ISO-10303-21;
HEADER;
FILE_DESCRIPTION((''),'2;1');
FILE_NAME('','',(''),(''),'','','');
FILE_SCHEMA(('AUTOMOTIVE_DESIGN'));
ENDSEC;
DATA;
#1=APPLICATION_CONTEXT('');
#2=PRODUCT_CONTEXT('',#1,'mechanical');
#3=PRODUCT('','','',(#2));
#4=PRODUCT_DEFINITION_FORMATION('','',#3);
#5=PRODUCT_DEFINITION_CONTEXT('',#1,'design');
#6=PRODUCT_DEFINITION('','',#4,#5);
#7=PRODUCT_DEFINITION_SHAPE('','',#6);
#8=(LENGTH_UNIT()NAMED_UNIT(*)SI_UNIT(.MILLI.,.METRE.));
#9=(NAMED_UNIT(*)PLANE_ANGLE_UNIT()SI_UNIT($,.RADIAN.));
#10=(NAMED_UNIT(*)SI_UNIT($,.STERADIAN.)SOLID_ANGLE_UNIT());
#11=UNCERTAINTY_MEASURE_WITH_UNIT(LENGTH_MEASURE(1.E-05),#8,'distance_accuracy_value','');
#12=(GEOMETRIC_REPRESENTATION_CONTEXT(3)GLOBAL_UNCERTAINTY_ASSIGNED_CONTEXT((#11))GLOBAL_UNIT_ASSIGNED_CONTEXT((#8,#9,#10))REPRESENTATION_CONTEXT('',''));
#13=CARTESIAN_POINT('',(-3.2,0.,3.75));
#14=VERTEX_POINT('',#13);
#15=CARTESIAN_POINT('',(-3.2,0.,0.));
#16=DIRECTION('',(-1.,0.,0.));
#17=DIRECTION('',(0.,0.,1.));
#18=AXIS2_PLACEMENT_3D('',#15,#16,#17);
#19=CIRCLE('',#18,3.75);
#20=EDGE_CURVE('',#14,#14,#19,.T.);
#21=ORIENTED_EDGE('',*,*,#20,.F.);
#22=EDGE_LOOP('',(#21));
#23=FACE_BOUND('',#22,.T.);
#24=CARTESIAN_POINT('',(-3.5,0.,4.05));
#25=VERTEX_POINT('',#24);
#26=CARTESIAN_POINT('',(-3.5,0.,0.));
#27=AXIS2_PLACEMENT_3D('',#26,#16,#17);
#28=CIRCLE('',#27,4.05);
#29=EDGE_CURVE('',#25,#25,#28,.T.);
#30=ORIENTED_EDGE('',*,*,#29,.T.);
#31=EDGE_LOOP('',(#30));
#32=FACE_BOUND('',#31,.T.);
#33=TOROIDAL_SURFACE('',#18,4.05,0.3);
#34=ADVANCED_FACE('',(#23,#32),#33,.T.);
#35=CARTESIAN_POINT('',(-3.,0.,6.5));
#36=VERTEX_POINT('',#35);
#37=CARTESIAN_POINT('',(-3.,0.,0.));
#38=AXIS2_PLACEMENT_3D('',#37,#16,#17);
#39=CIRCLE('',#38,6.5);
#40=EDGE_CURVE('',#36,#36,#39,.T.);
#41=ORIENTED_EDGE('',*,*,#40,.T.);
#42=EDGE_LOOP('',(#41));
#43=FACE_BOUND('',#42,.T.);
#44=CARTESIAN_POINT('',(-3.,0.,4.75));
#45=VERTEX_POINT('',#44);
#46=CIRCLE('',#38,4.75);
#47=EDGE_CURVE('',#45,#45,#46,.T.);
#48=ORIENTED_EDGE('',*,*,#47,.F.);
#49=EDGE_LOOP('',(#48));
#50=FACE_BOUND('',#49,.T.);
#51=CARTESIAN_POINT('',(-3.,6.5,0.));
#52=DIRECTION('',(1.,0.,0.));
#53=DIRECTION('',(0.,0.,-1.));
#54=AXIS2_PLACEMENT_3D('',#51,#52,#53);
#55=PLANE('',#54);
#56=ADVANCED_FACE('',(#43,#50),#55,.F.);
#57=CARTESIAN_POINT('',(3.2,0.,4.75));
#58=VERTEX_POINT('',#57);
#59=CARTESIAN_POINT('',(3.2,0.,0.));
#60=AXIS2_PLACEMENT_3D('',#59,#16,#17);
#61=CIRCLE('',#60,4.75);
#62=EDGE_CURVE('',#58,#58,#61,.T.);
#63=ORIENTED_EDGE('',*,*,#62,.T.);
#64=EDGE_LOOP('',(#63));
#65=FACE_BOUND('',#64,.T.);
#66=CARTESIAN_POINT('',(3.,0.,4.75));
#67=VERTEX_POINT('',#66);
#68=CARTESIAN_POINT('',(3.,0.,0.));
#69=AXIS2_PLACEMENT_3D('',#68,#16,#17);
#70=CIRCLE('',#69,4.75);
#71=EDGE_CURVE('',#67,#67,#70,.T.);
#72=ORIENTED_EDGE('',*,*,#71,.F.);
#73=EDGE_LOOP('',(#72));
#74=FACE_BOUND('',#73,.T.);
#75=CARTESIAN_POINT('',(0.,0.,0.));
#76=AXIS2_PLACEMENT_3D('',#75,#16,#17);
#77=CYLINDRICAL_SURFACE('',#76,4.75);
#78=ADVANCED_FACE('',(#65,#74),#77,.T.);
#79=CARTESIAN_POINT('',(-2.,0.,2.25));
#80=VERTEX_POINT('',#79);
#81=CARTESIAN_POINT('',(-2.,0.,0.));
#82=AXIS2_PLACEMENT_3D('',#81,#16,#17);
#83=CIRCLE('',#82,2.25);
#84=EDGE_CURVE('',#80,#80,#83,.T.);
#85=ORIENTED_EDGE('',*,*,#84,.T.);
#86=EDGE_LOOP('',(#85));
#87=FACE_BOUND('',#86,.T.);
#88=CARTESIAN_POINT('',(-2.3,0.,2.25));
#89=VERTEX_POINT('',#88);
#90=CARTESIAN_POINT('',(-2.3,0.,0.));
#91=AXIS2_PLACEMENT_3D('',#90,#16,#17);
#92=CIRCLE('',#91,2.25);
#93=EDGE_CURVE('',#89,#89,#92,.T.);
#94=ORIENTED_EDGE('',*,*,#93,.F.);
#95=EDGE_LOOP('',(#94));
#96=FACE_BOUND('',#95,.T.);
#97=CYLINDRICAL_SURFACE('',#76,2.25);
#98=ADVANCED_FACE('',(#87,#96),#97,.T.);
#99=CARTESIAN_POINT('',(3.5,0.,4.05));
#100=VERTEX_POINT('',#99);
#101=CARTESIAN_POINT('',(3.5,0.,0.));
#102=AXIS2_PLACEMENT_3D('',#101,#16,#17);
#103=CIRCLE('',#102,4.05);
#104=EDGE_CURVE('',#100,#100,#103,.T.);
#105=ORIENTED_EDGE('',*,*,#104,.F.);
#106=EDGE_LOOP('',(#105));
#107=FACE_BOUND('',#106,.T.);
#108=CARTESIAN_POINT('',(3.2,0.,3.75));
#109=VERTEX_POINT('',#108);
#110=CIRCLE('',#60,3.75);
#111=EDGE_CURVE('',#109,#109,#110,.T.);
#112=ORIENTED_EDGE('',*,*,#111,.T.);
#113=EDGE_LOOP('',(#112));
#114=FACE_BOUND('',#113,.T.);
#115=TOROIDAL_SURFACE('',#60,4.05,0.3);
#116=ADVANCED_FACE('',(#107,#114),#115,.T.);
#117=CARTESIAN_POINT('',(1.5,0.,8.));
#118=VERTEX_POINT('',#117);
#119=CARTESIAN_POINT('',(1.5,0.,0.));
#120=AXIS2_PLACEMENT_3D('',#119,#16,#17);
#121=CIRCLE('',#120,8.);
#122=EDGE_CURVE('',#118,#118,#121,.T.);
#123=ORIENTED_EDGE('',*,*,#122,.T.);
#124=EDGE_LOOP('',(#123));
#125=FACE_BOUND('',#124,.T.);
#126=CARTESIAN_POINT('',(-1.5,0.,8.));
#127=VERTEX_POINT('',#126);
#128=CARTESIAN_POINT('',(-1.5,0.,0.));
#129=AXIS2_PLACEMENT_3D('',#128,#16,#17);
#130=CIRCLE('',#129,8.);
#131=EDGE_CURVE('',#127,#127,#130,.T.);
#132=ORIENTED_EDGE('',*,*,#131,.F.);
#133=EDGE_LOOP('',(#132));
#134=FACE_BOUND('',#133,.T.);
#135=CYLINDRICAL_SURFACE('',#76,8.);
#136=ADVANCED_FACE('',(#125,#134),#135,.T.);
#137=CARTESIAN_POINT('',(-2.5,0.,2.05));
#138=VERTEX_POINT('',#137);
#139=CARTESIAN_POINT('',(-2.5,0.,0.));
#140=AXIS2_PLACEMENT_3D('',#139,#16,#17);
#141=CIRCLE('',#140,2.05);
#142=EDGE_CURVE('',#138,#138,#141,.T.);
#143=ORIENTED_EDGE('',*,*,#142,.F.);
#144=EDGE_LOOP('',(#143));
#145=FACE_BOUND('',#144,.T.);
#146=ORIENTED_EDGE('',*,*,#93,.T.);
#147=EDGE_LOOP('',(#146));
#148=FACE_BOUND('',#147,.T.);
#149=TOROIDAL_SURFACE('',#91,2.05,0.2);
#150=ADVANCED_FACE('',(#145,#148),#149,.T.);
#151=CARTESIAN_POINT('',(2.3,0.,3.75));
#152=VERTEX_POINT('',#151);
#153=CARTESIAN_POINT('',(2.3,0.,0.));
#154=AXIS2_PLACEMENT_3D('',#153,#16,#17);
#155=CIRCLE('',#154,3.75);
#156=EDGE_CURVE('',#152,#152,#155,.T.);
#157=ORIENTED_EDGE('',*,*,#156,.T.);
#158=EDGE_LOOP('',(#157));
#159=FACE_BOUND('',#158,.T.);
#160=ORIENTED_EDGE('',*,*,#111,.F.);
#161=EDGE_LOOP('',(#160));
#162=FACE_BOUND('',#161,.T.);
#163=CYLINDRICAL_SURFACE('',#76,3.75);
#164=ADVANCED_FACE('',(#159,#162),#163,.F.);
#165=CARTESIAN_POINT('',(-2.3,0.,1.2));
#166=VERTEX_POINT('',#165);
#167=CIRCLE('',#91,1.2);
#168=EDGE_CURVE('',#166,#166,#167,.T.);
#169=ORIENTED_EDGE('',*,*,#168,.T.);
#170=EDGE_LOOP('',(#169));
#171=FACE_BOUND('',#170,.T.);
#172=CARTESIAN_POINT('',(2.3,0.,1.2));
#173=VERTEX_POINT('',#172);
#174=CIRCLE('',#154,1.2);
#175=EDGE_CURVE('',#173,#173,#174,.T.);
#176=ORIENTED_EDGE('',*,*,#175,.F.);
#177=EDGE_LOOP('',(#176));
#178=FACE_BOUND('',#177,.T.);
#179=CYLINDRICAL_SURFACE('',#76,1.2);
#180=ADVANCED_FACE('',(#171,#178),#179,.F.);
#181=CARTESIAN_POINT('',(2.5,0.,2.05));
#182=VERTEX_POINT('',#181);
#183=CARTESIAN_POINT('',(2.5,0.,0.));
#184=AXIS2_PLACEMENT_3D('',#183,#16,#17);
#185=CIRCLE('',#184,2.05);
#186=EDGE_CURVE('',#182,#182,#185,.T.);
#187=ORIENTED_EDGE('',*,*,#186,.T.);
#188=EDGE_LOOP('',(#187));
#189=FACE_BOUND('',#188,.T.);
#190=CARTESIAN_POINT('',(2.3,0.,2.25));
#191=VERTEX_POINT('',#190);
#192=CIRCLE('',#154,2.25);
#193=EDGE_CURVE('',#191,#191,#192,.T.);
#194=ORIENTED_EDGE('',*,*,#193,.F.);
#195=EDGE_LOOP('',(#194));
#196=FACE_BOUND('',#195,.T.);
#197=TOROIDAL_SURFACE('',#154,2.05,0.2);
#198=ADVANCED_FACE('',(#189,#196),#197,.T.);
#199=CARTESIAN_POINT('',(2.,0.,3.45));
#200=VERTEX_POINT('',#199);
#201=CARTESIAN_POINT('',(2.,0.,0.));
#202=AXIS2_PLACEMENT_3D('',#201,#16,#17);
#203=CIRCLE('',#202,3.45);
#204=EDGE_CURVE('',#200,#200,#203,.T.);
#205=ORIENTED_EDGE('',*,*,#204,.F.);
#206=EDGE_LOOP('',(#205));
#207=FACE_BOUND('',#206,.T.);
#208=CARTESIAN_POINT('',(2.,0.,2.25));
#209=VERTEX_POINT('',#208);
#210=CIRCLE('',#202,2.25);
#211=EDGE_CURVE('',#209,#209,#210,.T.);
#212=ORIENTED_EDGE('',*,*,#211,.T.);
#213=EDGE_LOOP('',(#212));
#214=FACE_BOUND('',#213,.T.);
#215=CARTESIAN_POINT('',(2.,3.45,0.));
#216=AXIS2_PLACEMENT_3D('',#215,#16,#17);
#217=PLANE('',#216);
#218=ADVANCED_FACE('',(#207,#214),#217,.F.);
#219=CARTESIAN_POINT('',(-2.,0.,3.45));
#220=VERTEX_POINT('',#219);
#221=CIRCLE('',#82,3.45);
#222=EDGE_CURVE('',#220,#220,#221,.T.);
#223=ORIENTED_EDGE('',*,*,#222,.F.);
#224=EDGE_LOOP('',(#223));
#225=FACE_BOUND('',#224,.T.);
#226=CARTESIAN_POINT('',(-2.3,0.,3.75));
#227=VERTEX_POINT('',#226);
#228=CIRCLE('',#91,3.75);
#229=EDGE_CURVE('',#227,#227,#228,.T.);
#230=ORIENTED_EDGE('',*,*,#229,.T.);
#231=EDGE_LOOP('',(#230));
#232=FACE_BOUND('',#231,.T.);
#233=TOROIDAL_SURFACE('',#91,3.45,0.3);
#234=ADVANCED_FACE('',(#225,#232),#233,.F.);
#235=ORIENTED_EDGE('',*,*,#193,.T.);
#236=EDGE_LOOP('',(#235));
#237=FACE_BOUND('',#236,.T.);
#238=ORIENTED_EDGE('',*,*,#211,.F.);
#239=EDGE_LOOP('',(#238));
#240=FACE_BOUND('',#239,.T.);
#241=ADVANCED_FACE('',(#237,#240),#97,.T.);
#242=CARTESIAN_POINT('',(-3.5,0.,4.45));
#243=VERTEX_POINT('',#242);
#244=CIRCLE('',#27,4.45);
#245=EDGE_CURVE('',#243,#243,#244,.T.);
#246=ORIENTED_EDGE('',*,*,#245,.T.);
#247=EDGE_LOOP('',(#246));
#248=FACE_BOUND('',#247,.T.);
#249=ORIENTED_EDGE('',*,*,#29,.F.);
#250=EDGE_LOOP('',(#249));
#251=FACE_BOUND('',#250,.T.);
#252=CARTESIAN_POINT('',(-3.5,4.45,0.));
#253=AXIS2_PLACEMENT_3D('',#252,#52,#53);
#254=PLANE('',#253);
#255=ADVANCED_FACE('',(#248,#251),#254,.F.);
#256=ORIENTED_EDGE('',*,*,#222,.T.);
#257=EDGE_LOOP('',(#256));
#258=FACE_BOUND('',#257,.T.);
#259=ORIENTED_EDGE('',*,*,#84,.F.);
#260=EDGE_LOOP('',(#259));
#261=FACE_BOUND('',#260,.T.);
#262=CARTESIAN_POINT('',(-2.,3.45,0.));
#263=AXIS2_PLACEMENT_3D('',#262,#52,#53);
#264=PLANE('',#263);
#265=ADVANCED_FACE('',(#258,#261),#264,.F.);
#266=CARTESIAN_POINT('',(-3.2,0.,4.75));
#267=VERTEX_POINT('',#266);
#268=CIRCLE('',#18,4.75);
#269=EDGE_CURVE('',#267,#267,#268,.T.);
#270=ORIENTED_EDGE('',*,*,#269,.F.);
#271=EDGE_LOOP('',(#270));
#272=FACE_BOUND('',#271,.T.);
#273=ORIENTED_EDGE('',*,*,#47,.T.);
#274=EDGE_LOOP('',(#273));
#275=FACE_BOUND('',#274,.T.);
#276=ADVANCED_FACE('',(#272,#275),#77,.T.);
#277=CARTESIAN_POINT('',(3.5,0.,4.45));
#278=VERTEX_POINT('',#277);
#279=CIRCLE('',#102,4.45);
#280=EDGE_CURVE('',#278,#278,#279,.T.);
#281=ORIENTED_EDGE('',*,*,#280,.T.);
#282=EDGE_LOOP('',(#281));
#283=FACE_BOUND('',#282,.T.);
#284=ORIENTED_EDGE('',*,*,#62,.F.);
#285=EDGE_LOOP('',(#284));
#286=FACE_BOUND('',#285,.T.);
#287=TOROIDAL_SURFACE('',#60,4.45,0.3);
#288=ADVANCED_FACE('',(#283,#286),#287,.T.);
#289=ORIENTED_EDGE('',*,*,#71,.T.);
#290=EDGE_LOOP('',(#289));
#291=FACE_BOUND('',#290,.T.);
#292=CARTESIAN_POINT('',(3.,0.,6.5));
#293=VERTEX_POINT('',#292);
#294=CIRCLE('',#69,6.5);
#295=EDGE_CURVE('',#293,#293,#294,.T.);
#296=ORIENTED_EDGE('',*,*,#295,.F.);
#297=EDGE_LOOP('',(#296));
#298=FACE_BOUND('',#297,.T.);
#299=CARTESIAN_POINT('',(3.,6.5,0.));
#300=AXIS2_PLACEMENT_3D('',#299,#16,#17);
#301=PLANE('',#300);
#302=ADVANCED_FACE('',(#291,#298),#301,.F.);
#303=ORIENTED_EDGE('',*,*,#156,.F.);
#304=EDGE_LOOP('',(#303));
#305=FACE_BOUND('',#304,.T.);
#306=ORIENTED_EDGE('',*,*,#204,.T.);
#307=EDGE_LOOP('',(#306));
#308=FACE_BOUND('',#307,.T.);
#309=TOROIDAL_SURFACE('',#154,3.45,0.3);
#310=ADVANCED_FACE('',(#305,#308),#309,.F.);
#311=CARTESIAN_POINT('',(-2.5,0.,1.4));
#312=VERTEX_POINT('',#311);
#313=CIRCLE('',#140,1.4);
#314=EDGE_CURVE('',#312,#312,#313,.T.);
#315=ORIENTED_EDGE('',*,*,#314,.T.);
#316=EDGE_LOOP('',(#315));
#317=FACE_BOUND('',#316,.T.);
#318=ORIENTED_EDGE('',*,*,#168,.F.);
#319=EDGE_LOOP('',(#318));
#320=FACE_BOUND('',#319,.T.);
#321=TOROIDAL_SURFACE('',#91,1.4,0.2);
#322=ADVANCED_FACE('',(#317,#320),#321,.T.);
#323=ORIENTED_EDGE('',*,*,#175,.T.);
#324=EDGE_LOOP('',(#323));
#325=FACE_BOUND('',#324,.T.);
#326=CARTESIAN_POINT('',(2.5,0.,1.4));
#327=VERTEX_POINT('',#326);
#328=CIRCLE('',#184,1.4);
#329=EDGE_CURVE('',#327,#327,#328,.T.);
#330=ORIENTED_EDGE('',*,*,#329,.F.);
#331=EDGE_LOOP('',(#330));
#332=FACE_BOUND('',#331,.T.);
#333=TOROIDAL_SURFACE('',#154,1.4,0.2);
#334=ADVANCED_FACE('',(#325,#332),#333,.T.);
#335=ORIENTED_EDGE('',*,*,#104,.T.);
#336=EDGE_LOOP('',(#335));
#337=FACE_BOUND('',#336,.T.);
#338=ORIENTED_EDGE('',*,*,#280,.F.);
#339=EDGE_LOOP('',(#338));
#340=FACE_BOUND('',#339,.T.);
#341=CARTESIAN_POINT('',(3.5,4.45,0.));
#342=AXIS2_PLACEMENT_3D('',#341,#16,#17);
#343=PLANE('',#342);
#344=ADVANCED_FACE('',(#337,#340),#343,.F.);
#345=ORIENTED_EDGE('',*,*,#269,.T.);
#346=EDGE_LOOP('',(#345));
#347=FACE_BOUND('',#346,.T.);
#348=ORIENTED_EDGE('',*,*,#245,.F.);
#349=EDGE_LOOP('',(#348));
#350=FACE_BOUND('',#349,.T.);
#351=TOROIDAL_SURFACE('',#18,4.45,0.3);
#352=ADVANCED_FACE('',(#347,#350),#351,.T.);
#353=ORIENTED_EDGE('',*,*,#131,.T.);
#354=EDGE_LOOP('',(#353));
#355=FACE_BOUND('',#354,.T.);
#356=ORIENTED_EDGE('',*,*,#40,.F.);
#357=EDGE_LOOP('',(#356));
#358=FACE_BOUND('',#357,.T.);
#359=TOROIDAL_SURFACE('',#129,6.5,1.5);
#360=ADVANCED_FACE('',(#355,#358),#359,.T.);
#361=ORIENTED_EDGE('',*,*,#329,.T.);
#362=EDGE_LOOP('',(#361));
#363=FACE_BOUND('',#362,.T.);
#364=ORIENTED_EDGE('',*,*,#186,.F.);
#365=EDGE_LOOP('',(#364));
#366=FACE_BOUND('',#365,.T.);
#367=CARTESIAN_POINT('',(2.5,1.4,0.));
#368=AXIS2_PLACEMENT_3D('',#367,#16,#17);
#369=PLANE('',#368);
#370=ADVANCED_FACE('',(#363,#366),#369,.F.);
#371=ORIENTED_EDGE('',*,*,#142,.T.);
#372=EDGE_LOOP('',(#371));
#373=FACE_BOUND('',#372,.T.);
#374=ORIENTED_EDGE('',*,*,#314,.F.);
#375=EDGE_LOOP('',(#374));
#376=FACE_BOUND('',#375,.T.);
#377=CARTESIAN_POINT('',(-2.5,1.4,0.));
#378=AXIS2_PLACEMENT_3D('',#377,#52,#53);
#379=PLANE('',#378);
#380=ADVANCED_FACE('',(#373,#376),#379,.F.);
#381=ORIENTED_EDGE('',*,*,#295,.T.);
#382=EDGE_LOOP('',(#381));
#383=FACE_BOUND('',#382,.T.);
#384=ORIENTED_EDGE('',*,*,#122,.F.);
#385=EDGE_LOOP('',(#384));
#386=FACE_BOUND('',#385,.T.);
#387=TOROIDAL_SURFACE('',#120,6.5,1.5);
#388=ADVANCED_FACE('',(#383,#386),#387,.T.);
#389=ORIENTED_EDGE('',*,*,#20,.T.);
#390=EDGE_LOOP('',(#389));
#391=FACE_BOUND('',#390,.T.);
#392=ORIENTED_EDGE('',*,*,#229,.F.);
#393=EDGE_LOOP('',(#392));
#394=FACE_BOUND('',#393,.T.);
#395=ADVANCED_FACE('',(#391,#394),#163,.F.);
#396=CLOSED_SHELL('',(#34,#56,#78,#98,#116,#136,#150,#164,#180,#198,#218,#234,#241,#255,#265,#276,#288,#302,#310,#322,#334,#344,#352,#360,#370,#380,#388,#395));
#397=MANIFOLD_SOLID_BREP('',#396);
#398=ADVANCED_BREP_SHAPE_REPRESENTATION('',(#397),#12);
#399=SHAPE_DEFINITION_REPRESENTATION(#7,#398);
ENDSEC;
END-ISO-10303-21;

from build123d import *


with BuildPart() as part:
    # Esboço2 → Revolução1 (revolve)
    with BuildSketch(Plane.XY, mode=Mode.PRIVATE) as revolu_o1_sk:
        with BuildLine():
            Line((-2.3, 1.2), (2.3, 1.2))
            ThreePointArc((2.3, 1.2), (2.441421356, 1.258578644), (2.5, 1.4))
            Line((2.5, 1.4), (2.5, 2.05))
            ThreePointArc((2.5, 2.05), (2.441421356, 2.191421356), (2.3, 2.25))
            Line((2.3, 2.25), (2, 2.25))
            Line((2, 2.25), (2, 3.45))
            ThreePointArc((2, 3.45), (2.087867966, 3.662132034), (2.3, 3.75))
            Line((2.3, 3.75), (3.2, 3.75))
            ThreePointArc((3.2, 3.75), (3.412132034, 3.837867966), (3.5, 4.05))
            Line((3.5, 4.05), (3.5, 4.45))
            ThreePointArc((3.5, 4.45), (3.412132034, 4.662132034), (3.2, 4.75))
            Line((3.2, 4.75), (3, 4.75))
            Line((3, 4.75), (3, 6.5))
            ThreePointArc((3, 6.5), (2.560660172, 7.560660172), (1.5, 8))
            Line((1.5, 8), (-1.5, 8))
            ThreePointArc((-1.5, 8), (-2.560660172, 7.560660172), (-3, 6.5))
            Line((-3, 6.5), (-3, 4.75))
            Line((-3, 4.75), (-3.2, 4.75))
            ThreePointArc((-3.2, 4.75), (-3.412132034, 4.662132034), (-3.5, 4.45))
            Line((-3.5, 4.45), (-3.5, 4.05))
            ThreePointArc((-3.5, 4.05), (-3.412132034, 3.837867966), (-3.2, 3.75))
            Line((-3.2, 3.75), (-2.3, 3.75))
            ThreePointArc((-2.3, 3.75), (-2.087867966, 3.662132034), (-2, 3.45))
            Line((-2, 3.45), (-2, 2.25))
            Line((-2, 2.25), (-2.3, 2.25))
            ThreePointArc((-2.3, 2.25), (-2.441421356, 2.191421356), (-2.5, 2.05))
            Line((-2.5, 2.05), (-2.5, 1.4))
            ThreePointArc((-2.5, 1.4), (-2.441421356, 1.258578644), (-2.3, 1.2))
        make_face()
    revolve(revolu_o1_sk.sketch.rotate(Axis((0, 0, 0), (1, 0, 0)), 90), axis=Axis((0, 0, 0), (1, 0, 0)))


solid = part.part
